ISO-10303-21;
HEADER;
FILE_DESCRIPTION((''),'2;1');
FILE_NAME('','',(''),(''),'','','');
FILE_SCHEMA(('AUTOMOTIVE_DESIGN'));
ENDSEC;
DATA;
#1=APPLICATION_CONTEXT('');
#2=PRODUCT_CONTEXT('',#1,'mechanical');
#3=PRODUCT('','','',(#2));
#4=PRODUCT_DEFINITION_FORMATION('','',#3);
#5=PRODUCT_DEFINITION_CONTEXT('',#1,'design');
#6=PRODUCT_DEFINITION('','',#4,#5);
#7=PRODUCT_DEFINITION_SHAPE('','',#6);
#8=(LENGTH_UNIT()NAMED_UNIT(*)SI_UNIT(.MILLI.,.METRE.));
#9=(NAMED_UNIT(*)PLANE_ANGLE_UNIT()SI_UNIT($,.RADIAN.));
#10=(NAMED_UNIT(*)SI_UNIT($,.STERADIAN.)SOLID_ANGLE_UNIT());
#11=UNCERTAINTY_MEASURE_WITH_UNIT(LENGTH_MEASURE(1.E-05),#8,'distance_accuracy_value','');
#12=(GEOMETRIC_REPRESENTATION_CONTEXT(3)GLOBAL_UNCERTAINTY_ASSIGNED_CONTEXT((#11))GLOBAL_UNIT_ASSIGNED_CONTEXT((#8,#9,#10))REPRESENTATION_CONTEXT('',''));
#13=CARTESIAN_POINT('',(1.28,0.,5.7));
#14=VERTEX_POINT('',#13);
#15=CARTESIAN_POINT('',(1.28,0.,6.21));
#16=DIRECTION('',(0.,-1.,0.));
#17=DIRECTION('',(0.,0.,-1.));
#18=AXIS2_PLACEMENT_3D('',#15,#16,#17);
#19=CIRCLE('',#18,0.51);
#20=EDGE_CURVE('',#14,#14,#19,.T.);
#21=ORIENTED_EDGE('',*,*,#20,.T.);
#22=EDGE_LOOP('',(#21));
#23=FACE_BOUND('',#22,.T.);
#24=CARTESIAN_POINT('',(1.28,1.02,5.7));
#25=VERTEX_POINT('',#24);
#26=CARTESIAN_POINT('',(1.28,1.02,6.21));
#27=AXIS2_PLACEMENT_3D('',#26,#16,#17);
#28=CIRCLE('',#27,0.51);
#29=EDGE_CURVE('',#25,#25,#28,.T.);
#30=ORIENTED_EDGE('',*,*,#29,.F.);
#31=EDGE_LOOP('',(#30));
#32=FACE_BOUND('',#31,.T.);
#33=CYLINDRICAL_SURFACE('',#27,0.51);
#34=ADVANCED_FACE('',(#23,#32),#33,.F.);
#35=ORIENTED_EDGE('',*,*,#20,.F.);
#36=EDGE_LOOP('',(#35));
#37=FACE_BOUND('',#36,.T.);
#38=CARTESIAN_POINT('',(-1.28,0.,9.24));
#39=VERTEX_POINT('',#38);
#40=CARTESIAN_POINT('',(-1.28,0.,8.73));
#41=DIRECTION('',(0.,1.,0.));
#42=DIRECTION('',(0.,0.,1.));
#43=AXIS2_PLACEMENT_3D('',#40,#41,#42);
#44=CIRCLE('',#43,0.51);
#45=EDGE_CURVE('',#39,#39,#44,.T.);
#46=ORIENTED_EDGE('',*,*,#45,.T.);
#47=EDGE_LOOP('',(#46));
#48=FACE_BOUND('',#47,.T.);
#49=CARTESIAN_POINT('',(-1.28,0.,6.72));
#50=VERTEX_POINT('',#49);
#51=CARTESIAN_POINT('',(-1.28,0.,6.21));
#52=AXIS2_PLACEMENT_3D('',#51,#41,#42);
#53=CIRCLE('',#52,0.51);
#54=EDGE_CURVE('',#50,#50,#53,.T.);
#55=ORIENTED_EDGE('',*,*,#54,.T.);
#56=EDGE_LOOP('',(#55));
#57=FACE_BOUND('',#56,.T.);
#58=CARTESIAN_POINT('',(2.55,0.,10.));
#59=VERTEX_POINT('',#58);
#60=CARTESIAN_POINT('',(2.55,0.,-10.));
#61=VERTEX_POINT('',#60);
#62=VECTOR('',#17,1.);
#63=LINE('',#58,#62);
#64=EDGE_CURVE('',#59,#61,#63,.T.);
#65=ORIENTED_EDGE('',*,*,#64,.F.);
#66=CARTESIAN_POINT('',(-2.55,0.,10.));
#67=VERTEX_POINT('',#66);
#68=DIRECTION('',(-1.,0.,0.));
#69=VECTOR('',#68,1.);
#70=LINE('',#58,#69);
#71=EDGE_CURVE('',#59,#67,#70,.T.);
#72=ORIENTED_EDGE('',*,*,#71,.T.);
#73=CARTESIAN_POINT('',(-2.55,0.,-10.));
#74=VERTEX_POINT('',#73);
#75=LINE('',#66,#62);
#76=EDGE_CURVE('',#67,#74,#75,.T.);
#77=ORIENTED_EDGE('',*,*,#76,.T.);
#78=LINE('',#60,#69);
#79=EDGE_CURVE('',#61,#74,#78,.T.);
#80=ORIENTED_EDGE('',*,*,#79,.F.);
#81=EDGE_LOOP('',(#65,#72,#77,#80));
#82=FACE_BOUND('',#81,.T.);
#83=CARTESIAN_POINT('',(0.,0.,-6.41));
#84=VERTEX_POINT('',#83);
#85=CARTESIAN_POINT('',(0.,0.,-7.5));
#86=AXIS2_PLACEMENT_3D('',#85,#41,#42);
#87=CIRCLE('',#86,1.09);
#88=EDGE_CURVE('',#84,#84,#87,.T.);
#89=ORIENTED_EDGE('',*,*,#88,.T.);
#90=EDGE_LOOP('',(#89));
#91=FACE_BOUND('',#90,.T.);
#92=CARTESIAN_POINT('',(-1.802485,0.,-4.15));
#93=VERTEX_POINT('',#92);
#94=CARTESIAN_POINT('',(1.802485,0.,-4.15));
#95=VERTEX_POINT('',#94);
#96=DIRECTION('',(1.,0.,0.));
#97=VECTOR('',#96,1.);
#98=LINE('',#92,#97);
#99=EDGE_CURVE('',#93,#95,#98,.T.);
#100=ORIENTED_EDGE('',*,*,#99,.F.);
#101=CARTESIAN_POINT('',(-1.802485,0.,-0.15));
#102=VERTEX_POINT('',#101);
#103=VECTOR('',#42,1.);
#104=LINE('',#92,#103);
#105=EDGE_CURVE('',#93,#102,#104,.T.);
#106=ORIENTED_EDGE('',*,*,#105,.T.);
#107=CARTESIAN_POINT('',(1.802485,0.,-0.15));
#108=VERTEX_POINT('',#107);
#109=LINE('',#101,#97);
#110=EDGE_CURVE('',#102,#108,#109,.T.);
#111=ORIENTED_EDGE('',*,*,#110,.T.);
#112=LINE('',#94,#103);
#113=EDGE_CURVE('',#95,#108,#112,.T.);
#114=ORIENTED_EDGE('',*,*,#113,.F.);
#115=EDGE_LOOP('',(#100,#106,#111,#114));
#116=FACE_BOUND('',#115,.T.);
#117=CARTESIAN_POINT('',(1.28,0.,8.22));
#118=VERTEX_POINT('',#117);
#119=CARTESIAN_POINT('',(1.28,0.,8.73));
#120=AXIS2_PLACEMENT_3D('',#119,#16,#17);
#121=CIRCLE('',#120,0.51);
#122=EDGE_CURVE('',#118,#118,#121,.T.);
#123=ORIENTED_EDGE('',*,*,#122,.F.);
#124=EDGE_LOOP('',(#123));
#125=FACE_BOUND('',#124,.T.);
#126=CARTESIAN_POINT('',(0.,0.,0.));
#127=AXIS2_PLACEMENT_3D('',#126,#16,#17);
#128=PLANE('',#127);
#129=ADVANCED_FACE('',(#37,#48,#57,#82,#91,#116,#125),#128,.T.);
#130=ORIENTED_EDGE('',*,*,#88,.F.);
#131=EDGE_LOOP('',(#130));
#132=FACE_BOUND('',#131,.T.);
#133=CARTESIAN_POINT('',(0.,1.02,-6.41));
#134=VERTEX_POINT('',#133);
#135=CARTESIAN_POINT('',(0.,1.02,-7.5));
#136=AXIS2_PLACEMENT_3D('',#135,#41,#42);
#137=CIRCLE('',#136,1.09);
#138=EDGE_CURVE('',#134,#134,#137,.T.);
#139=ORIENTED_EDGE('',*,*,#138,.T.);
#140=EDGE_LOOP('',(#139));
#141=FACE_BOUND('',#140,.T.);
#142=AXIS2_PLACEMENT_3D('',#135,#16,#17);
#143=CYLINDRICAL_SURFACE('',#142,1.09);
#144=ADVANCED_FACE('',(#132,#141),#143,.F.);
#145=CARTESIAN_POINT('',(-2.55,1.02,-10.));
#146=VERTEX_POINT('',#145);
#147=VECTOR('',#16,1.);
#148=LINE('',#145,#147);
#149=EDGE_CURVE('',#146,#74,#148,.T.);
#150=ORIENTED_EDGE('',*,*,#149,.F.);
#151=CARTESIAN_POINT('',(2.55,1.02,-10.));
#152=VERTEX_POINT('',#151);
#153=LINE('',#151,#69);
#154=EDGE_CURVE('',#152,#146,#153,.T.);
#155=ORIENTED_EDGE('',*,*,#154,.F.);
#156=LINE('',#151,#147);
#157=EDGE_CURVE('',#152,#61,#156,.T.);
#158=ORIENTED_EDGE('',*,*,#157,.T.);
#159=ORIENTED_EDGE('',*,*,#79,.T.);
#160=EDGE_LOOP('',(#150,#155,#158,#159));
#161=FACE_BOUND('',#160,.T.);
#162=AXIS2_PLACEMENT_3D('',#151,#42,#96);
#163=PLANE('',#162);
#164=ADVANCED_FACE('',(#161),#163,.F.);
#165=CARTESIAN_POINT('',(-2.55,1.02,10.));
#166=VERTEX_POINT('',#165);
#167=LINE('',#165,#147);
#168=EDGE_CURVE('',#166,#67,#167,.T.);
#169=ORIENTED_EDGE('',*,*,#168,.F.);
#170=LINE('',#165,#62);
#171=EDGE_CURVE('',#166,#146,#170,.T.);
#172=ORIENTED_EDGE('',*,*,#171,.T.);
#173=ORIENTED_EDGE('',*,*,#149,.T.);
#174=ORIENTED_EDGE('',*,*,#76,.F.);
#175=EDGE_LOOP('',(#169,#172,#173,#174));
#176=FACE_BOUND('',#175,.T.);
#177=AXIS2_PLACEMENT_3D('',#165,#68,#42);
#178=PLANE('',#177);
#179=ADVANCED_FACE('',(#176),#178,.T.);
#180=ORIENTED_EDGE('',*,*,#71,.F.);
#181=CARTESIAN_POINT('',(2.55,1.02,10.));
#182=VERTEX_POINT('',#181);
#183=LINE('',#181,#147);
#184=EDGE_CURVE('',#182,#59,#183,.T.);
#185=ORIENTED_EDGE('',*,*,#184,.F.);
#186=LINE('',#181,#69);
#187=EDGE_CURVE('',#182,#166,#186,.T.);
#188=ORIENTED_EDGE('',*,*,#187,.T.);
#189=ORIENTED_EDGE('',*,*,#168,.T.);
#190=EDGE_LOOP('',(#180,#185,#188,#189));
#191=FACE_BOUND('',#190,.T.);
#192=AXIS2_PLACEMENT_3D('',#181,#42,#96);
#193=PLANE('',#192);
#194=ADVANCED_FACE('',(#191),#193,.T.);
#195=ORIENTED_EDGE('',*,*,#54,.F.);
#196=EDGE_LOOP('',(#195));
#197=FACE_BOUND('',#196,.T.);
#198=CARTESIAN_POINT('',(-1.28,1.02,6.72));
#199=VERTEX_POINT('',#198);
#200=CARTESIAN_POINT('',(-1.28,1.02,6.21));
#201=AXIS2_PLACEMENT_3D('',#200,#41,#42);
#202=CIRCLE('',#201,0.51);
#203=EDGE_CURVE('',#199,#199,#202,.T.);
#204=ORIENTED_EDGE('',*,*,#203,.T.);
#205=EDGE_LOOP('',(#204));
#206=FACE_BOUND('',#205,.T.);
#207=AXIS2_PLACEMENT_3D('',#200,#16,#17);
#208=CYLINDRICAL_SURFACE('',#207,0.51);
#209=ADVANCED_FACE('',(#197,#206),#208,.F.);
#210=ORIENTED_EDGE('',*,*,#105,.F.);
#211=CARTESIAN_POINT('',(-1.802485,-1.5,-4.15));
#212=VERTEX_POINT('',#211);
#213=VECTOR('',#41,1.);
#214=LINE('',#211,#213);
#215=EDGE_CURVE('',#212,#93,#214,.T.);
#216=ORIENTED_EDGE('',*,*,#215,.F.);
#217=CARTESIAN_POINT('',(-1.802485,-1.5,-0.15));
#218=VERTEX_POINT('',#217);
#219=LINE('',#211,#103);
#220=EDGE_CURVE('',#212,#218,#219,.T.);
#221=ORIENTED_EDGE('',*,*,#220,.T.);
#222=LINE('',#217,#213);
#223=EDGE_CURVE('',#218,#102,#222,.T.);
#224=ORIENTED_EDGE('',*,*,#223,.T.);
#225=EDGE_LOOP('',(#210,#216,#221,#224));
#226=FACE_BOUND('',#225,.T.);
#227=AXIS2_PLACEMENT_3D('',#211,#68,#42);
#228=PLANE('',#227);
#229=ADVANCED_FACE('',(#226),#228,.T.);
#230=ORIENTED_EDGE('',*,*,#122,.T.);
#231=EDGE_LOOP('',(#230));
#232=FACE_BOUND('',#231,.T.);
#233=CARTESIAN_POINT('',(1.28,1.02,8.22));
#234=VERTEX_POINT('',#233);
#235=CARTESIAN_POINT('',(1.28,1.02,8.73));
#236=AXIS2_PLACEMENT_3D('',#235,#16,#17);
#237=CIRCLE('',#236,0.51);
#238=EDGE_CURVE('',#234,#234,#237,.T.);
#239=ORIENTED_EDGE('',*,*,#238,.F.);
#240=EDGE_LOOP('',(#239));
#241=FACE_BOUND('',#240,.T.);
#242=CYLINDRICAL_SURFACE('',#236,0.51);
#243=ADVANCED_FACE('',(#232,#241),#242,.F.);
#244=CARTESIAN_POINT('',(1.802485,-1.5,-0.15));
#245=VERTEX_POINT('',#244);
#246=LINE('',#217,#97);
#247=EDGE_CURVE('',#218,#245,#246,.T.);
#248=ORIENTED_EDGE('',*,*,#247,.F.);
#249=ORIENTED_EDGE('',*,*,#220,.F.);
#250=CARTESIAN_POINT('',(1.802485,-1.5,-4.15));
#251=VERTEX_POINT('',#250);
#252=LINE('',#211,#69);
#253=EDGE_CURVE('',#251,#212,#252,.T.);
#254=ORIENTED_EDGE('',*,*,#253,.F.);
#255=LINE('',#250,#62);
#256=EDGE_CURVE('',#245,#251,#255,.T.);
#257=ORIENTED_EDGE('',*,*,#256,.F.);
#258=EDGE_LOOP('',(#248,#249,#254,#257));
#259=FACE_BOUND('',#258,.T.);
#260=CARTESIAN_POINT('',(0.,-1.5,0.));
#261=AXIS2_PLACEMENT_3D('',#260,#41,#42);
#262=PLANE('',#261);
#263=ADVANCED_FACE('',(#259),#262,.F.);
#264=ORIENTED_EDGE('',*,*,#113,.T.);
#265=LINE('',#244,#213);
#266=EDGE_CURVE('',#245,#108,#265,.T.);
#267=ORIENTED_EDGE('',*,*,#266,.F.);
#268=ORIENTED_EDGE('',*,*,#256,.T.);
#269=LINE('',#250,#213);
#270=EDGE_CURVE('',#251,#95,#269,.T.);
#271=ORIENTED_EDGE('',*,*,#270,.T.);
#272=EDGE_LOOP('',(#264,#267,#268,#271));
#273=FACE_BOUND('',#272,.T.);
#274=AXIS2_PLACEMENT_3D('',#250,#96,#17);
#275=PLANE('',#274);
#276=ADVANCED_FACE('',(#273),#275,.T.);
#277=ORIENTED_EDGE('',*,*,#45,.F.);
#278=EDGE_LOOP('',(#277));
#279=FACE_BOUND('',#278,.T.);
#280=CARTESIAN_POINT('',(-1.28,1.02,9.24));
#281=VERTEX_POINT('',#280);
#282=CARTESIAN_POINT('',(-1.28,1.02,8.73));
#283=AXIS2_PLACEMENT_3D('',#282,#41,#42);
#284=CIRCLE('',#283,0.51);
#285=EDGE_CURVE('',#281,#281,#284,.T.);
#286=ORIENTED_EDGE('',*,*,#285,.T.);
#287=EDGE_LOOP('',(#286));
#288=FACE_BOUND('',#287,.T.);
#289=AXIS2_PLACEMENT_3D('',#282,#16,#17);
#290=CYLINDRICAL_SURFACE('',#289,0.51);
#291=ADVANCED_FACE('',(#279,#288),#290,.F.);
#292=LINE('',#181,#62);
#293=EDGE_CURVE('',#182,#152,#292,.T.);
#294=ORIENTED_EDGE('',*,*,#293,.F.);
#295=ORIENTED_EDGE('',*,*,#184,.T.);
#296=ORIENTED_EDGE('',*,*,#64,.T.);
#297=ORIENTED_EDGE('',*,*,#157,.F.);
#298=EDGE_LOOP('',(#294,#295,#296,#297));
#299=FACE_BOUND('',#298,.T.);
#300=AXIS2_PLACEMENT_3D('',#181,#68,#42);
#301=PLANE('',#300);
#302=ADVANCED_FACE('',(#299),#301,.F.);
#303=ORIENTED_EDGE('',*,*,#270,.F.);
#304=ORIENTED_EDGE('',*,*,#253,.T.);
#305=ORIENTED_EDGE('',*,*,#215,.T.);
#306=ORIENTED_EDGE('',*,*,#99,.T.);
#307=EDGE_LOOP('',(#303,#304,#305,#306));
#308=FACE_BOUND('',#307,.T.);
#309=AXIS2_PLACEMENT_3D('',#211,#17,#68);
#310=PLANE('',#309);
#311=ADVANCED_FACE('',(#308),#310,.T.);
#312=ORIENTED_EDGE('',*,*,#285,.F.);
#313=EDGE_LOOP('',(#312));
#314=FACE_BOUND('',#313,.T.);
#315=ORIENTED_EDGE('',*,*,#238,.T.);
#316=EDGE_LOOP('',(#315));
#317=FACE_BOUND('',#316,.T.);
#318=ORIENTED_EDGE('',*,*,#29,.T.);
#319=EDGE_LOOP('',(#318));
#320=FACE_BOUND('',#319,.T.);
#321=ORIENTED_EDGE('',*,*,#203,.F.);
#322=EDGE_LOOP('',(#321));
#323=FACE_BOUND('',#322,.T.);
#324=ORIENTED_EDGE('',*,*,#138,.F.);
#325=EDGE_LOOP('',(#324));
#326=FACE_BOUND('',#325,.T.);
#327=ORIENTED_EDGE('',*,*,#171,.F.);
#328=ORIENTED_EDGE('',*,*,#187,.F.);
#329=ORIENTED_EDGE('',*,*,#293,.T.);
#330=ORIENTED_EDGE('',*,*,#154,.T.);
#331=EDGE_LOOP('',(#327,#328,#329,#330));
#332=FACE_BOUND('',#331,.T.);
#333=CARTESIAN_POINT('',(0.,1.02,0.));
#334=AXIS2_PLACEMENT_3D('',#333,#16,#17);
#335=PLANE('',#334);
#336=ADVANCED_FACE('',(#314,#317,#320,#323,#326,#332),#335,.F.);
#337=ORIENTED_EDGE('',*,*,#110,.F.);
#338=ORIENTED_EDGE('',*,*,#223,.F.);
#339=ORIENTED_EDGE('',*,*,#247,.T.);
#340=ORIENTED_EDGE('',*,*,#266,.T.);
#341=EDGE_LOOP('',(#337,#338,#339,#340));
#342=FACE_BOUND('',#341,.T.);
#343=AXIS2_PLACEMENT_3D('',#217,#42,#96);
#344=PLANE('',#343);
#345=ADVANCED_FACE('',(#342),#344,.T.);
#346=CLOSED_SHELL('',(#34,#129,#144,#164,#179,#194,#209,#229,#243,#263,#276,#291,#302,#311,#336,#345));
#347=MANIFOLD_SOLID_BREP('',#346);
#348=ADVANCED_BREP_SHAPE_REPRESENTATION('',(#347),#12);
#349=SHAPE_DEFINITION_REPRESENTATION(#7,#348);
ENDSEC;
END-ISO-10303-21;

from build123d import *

# Parameters (mm, degrees)
SKETCH1_W    = 5.1
SKETCH1_H    = 20
SKETCH1_R    = 1.09
SKETCH1_R_2  = 0.51
SKETCH1_W_2  = 3.604970558
SKETCH1_H_2  = 4
BODY_DEPTH   = 1.02
SKETCH3_W    = 3.604970558
SKETCH3_H    = 4
SENSOR_DEPTH = 2.52


with BuildPart() as part:
    # Sketch1 → Body (new body)
    with BuildSketch(Plane(origin=(0, 0, 0), x_dir=(1, 0, 0), z_dir=(0, 1, 0))):
        Rectangle(SKETCH1_W, SKETCH1_H)
        with Locations((0, 7.5)):
            Circle(SKETCH1_R, mode=Mode.SUBTRACT)
        with Locations((-1.28, -6.21)):
            Circle(SKETCH1_R_2, mode=Mode.SUBTRACT)
        with Locations((-1.28, -8.73)):
            Circle(SKETCH1_R_2, mode=Mode.SUBTRACT)
        with Locations((1.28, -6.21)):
            Circle(SKETCH1_R_2, mode=Mode.SUBTRACT)
        with Locations((1.28, -8.73)):
            Circle(SKETCH1_R_2, mode=Mode.SUBTRACT)
        with Locations((0, 2.15)):
            Rectangle(SKETCH1_W_2, SKETCH1_H_2, mode=Mode.SUBTRACT)
    extrude(amount=BODY_DEPTH)

    # Sketch3 → Sensor (add)
    with BuildSketch(Plane(origin=(0, 1.02, 0), x_dir=(1, 0, 0), z_dir=(0, 1, 0))):
        with Locations((0, 2.15)):
            Rectangle(SKETCH3_W, SKETCH3_H)
    extrude(amount=-SENSOR_DEPTH)


solid = part.part
